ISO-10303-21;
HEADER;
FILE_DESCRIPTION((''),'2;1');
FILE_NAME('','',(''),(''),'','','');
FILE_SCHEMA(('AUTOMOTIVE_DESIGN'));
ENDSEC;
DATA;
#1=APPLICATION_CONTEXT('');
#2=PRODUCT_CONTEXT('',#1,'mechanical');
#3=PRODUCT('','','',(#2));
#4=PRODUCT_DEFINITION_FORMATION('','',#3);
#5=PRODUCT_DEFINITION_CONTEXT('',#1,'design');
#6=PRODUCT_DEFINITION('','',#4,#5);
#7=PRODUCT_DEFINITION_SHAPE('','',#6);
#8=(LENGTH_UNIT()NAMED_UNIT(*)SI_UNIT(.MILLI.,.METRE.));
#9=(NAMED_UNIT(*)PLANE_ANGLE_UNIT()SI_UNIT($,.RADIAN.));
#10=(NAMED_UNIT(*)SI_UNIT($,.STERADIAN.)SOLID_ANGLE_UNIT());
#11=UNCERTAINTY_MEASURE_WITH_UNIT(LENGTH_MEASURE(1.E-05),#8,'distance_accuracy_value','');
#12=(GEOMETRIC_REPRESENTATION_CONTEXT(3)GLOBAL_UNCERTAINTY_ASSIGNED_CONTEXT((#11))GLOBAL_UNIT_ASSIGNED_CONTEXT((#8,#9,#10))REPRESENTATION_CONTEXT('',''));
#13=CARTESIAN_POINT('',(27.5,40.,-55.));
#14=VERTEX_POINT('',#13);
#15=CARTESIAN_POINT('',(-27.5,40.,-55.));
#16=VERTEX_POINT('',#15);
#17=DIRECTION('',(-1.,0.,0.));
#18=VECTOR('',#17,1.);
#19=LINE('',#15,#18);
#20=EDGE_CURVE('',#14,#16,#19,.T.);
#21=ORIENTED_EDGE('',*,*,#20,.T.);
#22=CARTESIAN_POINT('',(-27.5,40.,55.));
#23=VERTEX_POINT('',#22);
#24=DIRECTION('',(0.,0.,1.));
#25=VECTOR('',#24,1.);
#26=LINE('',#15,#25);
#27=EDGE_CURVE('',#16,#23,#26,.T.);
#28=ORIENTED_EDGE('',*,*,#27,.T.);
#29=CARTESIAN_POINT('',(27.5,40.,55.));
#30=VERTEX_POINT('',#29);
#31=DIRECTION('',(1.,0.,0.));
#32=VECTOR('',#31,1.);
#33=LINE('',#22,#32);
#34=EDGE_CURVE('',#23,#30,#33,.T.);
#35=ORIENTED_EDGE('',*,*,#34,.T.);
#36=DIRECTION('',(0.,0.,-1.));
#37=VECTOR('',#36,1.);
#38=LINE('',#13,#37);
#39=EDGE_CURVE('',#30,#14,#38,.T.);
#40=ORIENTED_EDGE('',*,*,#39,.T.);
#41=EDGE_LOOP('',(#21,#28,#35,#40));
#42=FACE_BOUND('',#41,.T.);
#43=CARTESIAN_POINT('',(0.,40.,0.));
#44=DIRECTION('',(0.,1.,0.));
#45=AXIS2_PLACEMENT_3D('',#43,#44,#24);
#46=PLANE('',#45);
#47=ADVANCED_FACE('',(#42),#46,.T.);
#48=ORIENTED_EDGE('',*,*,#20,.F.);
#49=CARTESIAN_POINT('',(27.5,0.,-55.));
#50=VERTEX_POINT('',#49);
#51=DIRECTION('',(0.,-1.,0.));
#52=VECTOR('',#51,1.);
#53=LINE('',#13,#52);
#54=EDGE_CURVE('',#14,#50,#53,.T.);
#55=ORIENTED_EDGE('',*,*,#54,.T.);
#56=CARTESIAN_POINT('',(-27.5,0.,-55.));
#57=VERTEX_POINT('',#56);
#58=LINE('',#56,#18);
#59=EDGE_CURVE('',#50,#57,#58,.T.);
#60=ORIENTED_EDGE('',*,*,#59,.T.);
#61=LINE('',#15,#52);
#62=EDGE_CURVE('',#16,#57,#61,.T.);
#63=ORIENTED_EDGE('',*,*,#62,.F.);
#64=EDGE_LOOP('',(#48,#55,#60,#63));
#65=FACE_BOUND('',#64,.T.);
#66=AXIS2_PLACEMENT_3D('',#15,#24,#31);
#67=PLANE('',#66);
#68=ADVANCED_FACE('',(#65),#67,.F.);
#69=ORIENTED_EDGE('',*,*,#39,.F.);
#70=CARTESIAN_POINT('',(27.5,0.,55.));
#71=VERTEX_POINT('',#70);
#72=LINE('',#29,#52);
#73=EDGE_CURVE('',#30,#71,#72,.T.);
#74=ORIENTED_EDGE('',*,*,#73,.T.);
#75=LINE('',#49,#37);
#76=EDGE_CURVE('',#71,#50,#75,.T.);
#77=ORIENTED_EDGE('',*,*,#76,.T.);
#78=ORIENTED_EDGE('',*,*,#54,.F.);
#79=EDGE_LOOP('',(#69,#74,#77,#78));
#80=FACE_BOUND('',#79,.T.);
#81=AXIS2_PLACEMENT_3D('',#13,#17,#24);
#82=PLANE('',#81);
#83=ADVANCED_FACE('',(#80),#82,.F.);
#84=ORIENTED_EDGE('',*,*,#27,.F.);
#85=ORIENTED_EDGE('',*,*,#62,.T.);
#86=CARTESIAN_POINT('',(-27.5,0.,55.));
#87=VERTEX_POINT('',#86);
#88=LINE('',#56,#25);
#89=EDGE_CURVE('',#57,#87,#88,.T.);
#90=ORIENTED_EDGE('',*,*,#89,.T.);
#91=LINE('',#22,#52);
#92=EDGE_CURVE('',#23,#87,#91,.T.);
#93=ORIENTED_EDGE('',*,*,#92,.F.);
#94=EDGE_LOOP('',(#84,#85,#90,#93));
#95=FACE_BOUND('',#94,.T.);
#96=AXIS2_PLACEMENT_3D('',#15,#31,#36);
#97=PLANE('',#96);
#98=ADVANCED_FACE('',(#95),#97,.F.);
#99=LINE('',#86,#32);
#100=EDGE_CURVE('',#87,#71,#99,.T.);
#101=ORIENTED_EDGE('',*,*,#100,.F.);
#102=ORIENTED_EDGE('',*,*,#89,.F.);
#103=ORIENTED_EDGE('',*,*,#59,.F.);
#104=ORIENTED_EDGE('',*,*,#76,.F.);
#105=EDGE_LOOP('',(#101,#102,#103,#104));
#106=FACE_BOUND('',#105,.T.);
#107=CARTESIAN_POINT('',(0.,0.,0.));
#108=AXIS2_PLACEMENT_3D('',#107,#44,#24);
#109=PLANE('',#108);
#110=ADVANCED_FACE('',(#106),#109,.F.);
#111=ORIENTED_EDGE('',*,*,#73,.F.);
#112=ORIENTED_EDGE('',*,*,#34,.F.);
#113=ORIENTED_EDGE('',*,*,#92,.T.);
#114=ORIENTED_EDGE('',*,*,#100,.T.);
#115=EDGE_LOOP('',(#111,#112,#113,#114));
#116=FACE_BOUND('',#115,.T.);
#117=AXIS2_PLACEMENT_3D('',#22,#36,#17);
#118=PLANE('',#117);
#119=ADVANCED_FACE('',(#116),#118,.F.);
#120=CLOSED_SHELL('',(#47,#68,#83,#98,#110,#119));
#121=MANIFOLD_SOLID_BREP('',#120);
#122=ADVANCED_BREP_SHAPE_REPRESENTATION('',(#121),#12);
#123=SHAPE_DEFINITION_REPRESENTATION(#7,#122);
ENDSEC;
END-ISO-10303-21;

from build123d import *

# Parameters (mm, degrees)
SKETCH_1_W      = 55
SKETCH_1_H      = 110
EXTRUDE_1_DEPTH = 40


with BuildPart() as part:
    # 草图1 → 凸台-拉伸1 (new body)
    with BuildSketch(Plane(origin=(0, 0, 0), x_dir=(1, 0, 0), z_dir=(0, 1, 0))):
        Rectangle(SKETCH_1_W, SKETCH_1_H)
    extrude(amount=EXTRUDE_1_DEPTH)


solid = part.part
